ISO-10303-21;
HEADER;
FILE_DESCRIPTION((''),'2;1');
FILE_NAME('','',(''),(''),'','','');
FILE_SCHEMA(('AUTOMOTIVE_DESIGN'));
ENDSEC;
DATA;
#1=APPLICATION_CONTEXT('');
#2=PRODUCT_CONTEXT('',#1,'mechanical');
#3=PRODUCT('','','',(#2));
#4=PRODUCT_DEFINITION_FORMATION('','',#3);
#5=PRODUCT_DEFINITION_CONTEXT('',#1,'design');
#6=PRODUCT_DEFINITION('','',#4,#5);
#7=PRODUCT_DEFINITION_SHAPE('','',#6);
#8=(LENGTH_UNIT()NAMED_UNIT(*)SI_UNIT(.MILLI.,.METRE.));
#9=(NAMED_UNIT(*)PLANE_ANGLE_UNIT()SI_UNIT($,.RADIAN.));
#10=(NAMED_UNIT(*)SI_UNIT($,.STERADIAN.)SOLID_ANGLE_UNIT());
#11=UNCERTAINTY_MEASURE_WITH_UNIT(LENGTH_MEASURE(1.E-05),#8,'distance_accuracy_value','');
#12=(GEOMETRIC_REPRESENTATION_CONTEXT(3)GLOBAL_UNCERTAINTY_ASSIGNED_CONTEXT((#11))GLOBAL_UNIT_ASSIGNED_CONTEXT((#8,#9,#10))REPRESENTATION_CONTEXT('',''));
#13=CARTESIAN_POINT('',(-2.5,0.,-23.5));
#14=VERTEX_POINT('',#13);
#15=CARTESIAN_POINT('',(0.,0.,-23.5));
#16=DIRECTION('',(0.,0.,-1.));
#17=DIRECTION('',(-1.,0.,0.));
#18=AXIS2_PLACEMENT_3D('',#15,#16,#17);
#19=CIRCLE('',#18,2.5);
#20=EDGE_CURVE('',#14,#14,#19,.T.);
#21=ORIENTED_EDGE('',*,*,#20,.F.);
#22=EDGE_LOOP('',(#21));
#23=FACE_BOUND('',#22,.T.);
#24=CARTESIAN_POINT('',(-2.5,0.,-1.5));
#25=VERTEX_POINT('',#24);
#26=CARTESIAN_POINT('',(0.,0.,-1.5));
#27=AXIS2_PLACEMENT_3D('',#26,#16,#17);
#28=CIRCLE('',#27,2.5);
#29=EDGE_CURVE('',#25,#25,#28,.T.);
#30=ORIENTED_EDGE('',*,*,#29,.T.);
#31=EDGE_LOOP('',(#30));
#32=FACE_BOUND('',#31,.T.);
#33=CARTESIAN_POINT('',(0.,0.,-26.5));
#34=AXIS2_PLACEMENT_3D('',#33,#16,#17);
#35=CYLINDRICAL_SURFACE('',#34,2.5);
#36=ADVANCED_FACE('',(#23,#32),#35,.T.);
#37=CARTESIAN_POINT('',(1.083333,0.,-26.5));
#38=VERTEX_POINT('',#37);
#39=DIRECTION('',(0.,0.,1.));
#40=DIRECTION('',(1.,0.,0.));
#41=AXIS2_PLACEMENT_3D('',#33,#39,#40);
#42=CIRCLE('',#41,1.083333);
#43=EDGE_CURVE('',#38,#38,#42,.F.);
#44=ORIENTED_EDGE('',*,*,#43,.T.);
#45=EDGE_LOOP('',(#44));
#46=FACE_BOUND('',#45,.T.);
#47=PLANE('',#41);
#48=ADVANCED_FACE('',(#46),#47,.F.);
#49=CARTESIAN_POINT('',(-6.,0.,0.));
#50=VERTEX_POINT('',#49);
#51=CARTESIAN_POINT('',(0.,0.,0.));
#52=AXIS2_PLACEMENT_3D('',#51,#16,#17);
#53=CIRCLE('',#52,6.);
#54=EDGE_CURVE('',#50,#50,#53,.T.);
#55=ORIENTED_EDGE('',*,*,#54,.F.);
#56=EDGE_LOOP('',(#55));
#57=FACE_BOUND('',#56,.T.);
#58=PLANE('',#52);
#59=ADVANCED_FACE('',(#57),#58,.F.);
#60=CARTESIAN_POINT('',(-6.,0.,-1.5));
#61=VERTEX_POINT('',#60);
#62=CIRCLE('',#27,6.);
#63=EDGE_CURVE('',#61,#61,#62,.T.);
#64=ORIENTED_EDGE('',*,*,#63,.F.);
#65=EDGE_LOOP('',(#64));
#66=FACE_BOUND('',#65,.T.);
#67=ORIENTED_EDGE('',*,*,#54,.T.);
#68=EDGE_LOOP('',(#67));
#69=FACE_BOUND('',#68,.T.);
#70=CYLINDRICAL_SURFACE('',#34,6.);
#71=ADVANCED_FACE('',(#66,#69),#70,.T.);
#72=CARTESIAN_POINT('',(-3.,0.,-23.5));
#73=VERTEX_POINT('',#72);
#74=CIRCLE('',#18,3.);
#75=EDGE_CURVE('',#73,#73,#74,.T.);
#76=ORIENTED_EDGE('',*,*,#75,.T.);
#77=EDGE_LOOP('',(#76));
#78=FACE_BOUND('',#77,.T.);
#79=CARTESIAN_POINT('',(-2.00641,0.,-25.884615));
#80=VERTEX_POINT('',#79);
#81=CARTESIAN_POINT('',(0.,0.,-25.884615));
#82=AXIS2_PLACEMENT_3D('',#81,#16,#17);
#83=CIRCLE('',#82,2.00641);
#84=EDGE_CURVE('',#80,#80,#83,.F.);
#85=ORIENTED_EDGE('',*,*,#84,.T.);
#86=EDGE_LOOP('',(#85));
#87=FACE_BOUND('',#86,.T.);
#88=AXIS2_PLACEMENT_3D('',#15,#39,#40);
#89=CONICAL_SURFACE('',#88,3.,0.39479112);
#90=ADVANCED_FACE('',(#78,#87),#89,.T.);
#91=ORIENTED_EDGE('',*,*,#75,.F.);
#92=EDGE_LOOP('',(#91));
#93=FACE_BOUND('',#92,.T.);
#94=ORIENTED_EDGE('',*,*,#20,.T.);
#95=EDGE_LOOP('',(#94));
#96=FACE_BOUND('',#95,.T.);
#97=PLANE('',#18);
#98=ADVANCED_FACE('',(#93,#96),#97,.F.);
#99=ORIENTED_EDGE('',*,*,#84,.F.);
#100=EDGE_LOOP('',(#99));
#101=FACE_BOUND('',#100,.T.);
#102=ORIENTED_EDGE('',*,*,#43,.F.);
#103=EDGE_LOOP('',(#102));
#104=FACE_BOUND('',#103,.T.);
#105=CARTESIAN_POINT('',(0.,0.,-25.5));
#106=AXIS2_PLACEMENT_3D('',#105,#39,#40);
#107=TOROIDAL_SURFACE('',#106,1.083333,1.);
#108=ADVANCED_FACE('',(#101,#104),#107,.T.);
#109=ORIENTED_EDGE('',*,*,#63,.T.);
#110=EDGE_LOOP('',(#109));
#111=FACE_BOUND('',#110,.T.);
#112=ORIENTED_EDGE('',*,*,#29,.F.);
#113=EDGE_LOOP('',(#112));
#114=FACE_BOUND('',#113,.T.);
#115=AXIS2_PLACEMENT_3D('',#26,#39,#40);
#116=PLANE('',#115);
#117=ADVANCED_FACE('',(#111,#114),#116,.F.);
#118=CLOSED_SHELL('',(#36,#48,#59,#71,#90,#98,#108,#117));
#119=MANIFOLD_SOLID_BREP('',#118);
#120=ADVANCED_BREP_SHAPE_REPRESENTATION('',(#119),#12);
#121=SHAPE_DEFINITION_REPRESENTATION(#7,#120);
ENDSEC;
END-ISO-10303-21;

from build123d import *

# Parameters (mm, degrees)
FILLET_1_R = 1


with BuildPart() as part:
    # Эскиз1 → Повернуть1 (revolve)
    with BuildSketch(Plane(origin=(0, 0, 0), x_dir=(1, 0, 0), z_dir=(0, 1, 0)), mode=Mode.PRIVATE) as revolve_1_sk:
        Polygon((1.75, 26.5), (0, 26.5), (0, 0), (6, 0), (6, 1.5), (2.5, 1.5), (2.5, 23.5), (3, 23.5), align=None)
    revolve(revolve_1_sk.sketch.rotate(Axis((0, 0, -26.5), (0, 0, 1)), 180), axis=Axis((0, 0, -26.5), (0, 0, 1)))

    # Скругление1
    fillet_1_edges = [part.edges().sort_by_distance(p)[0] for p in [
        (1.75, 0, -26.5),
    ]]
    fillet(fillet_1_edges, radius=FILLET_1_R)


solid = part.part
